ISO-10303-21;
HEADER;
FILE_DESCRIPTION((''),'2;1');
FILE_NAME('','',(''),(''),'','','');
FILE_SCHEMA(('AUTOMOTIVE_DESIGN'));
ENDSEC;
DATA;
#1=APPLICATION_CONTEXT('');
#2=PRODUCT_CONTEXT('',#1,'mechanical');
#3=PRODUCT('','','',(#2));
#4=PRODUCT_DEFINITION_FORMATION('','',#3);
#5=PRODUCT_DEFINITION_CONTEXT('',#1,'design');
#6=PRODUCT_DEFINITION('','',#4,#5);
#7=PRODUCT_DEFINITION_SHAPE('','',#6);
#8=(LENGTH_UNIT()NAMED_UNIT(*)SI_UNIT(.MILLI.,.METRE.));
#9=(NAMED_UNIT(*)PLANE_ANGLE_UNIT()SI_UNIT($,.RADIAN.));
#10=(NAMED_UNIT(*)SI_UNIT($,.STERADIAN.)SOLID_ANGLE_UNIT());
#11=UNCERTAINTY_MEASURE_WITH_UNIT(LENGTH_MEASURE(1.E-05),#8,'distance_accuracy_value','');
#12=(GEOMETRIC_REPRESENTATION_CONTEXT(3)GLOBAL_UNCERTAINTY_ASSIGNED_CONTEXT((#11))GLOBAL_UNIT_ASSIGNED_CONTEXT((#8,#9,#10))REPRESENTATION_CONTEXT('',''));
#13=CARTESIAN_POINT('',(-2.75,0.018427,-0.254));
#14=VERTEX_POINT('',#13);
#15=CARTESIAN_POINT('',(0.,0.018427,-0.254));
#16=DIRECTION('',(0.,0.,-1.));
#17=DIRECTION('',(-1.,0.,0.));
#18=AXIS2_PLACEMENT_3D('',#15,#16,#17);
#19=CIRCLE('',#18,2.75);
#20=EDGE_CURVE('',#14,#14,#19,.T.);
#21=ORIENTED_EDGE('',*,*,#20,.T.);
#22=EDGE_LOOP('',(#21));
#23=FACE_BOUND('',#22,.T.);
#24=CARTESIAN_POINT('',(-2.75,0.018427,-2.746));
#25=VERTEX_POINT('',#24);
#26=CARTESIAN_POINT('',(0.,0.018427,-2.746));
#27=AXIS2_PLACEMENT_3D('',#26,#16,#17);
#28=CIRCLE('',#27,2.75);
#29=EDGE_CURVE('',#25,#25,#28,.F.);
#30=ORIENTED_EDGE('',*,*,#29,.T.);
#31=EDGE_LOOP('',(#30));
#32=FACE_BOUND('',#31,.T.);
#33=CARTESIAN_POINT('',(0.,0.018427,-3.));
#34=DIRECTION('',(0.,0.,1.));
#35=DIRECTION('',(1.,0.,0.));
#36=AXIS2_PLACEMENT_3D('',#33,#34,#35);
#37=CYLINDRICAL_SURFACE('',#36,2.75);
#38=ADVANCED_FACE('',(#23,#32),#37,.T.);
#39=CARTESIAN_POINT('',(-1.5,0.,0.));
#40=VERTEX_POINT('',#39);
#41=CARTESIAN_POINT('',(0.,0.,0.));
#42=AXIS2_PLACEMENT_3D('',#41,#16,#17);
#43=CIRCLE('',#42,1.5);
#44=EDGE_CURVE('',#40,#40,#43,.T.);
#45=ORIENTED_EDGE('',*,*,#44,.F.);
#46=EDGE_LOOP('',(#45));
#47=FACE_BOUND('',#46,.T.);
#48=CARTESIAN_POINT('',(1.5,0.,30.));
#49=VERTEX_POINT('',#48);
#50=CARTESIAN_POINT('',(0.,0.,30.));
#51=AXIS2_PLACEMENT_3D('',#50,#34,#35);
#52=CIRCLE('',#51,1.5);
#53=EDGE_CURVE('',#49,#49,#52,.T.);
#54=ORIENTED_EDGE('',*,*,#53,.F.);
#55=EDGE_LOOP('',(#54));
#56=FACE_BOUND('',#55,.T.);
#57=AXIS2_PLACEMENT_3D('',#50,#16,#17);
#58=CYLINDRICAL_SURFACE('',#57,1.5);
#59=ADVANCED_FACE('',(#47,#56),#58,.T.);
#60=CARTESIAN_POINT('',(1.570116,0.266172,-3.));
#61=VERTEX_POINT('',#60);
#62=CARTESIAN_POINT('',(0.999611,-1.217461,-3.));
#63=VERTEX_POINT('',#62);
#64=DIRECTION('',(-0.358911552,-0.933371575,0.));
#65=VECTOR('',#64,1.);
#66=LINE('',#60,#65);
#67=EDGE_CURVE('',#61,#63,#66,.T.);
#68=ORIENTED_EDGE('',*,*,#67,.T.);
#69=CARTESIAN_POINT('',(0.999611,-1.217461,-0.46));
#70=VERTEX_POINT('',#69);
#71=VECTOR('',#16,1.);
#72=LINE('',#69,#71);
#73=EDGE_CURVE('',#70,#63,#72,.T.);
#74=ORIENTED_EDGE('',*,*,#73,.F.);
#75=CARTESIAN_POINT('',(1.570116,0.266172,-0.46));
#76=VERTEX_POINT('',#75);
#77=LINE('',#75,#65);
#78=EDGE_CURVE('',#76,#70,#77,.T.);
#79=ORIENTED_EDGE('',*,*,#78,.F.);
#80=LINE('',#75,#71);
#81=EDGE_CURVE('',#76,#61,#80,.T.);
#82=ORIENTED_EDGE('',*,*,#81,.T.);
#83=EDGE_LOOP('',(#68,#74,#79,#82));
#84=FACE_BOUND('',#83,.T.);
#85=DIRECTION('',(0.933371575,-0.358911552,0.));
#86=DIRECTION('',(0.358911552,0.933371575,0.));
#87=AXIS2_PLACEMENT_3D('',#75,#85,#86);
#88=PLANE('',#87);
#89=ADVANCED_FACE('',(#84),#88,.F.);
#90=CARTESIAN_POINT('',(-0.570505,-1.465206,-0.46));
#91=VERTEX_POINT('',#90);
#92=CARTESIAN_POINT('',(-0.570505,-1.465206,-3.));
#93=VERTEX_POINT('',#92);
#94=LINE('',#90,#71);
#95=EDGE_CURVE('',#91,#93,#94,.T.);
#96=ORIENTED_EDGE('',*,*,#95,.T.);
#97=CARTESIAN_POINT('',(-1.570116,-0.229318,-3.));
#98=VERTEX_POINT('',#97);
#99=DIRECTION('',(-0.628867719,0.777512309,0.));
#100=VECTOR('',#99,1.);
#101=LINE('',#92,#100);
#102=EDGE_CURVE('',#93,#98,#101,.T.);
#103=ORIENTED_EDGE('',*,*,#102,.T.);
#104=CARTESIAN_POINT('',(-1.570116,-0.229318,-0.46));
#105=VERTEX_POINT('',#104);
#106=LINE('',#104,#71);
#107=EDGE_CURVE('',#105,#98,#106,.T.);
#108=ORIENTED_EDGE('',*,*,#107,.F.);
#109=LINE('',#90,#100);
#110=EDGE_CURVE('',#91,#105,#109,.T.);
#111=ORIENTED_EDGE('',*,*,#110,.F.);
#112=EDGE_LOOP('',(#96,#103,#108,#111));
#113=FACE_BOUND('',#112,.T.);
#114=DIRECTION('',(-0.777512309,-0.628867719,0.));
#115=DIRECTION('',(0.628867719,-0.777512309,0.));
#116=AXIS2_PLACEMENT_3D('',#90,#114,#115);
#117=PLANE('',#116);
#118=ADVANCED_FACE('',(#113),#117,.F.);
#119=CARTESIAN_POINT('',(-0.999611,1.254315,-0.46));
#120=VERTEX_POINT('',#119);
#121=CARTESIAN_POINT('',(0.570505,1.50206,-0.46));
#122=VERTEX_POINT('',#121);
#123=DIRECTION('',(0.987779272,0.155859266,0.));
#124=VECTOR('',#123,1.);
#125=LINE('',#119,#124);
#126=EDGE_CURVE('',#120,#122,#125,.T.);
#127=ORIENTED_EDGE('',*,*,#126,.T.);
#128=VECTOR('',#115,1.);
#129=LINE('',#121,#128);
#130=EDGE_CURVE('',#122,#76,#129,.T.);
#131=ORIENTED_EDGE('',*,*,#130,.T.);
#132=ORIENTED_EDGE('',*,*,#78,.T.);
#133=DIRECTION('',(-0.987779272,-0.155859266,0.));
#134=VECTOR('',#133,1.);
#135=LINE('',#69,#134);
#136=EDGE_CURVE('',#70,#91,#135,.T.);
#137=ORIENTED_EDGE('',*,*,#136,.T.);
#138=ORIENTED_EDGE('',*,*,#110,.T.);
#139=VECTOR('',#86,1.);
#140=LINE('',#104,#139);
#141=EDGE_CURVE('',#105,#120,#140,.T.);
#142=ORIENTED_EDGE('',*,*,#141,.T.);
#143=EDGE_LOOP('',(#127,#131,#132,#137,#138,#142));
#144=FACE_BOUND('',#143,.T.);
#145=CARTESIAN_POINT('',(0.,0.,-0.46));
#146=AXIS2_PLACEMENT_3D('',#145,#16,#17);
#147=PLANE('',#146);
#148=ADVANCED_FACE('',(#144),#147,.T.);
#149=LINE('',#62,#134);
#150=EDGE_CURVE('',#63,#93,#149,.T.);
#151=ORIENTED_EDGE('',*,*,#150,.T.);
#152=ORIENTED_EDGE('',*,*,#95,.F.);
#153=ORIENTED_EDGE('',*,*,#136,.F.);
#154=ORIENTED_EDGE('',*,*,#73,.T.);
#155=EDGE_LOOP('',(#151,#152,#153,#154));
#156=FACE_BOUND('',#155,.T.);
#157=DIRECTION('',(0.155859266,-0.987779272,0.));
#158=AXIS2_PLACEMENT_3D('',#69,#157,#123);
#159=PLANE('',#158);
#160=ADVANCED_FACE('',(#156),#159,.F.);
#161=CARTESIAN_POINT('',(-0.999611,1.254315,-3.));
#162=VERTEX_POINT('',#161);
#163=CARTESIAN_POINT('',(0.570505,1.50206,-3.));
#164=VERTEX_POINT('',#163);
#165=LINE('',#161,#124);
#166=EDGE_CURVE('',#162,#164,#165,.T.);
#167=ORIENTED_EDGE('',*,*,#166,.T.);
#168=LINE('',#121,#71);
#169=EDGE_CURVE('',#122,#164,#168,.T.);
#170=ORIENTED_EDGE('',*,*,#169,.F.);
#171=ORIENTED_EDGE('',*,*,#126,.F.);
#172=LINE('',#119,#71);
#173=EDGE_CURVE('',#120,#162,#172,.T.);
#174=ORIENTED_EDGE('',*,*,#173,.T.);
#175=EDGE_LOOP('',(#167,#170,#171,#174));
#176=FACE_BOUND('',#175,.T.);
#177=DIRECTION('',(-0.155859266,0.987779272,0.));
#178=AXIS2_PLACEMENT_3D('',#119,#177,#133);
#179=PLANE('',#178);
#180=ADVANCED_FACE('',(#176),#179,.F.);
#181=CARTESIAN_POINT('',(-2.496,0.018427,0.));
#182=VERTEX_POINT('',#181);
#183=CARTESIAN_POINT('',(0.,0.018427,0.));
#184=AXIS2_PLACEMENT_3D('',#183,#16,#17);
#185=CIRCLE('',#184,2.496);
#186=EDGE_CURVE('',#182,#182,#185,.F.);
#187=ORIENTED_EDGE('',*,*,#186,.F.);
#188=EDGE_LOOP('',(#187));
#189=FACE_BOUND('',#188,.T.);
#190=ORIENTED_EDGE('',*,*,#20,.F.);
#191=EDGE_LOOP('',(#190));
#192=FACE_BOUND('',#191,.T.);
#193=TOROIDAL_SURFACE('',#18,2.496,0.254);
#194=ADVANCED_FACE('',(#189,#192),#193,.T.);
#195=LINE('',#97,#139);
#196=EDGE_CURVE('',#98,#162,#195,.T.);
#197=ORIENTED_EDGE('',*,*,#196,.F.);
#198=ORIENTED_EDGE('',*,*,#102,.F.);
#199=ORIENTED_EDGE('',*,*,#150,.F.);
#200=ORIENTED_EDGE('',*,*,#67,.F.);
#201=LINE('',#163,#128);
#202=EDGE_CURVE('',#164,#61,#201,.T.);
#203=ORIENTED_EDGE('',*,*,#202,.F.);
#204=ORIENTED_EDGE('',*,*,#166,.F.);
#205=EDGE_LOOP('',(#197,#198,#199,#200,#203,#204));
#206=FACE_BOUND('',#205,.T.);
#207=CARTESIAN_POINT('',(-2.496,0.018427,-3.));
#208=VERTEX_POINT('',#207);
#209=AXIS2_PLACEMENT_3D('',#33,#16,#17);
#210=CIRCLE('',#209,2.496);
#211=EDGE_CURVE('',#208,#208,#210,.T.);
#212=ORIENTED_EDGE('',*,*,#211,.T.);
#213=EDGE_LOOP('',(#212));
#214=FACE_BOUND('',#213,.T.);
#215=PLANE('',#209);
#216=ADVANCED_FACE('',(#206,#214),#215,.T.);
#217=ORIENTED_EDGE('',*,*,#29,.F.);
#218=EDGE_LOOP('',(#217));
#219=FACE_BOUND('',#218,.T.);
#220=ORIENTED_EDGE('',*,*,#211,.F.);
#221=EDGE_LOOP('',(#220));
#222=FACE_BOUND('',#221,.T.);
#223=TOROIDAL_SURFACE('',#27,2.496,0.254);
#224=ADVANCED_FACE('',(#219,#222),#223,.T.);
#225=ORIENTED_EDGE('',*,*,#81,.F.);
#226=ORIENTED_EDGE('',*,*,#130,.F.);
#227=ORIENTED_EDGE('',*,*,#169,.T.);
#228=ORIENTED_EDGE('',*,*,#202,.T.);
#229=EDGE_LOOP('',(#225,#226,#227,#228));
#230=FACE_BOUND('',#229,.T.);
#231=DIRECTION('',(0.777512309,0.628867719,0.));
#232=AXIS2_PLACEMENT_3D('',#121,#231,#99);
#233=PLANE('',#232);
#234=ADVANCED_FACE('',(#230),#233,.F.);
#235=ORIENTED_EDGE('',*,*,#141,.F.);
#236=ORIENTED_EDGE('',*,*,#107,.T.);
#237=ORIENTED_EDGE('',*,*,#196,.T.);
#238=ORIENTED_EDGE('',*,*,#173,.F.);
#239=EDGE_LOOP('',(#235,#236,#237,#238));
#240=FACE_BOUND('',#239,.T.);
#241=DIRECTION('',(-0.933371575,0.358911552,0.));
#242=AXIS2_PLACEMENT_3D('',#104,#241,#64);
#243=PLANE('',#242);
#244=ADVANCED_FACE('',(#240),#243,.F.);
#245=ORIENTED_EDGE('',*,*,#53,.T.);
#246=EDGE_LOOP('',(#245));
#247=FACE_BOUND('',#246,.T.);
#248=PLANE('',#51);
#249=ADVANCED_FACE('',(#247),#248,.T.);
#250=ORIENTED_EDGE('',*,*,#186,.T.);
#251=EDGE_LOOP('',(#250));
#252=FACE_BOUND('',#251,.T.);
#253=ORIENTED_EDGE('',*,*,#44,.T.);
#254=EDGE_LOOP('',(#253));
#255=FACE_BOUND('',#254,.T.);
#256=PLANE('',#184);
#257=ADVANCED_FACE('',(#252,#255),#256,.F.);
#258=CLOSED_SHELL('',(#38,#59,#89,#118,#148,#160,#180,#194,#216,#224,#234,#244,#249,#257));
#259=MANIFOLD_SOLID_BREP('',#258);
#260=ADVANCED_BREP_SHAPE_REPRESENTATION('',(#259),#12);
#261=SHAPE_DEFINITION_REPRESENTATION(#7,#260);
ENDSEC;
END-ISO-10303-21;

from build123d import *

# Parameters (mm, degrees)
SKETCH1_R           = 1.5
BOSS_EXTRUDE1_DEPTH = 30
SKETCH2_R           = 2.75
BOSS_EXTRUDE2_DEPTH = 3
FILLET1_R           = 0.254
CUT_EXTRUDE1_DEPTH  = 2.54


with BuildPart() as part:
    # Sketch1 → Boss-Extrude1 (new body)
    with BuildSketch(Plane.XY):
        Circle(SKETCH1_R)
    extrude(amount=BOSS_EXTRUDE1_DEPTH)

    # Sketch2 → Boss-Extrude2 (add)
    with BuildSketch(Plane(origin=(0, 0, 0), x_dir=(-1, 0, 0), z_dir=(0, 0, -1))):
        with Locations((0, 0.018427268)):
            Circle(SKETCH2_R)
    extrude(amount=BOSS_EXTRUDE2_DEPTH)

    # Fillet1
    fillet1_edges = [part.edges().sort_by_distance(p)[0] for p in [
        (2.75, 0.018427268, 0),
        (2.75, 0.018427268, -3),
    ]]
    fillet(fillet1_edges, radius=FILLET1_R)

    # Sketch3 → Cut-Extrude1 (cut)
    with BuildSketch(Plane(origin=(0, 0, -3), x_dir=(-1, 0, 0), z_dir=(0, 0, -1))):
        Polygon((1.570116236, -0.229317517), (0.999611396, 1.254315423), (-0.57050484, 1.502060208), (-1.570116236, 0.266172054), (-0.999611396, -1.217460886), (0.57050484, -1.465205671), align=None)
    extrude(amount=-CUT_EXTRUDE1_DEPTH, mode=Mode.SUBTRACT)


solid = part.part
